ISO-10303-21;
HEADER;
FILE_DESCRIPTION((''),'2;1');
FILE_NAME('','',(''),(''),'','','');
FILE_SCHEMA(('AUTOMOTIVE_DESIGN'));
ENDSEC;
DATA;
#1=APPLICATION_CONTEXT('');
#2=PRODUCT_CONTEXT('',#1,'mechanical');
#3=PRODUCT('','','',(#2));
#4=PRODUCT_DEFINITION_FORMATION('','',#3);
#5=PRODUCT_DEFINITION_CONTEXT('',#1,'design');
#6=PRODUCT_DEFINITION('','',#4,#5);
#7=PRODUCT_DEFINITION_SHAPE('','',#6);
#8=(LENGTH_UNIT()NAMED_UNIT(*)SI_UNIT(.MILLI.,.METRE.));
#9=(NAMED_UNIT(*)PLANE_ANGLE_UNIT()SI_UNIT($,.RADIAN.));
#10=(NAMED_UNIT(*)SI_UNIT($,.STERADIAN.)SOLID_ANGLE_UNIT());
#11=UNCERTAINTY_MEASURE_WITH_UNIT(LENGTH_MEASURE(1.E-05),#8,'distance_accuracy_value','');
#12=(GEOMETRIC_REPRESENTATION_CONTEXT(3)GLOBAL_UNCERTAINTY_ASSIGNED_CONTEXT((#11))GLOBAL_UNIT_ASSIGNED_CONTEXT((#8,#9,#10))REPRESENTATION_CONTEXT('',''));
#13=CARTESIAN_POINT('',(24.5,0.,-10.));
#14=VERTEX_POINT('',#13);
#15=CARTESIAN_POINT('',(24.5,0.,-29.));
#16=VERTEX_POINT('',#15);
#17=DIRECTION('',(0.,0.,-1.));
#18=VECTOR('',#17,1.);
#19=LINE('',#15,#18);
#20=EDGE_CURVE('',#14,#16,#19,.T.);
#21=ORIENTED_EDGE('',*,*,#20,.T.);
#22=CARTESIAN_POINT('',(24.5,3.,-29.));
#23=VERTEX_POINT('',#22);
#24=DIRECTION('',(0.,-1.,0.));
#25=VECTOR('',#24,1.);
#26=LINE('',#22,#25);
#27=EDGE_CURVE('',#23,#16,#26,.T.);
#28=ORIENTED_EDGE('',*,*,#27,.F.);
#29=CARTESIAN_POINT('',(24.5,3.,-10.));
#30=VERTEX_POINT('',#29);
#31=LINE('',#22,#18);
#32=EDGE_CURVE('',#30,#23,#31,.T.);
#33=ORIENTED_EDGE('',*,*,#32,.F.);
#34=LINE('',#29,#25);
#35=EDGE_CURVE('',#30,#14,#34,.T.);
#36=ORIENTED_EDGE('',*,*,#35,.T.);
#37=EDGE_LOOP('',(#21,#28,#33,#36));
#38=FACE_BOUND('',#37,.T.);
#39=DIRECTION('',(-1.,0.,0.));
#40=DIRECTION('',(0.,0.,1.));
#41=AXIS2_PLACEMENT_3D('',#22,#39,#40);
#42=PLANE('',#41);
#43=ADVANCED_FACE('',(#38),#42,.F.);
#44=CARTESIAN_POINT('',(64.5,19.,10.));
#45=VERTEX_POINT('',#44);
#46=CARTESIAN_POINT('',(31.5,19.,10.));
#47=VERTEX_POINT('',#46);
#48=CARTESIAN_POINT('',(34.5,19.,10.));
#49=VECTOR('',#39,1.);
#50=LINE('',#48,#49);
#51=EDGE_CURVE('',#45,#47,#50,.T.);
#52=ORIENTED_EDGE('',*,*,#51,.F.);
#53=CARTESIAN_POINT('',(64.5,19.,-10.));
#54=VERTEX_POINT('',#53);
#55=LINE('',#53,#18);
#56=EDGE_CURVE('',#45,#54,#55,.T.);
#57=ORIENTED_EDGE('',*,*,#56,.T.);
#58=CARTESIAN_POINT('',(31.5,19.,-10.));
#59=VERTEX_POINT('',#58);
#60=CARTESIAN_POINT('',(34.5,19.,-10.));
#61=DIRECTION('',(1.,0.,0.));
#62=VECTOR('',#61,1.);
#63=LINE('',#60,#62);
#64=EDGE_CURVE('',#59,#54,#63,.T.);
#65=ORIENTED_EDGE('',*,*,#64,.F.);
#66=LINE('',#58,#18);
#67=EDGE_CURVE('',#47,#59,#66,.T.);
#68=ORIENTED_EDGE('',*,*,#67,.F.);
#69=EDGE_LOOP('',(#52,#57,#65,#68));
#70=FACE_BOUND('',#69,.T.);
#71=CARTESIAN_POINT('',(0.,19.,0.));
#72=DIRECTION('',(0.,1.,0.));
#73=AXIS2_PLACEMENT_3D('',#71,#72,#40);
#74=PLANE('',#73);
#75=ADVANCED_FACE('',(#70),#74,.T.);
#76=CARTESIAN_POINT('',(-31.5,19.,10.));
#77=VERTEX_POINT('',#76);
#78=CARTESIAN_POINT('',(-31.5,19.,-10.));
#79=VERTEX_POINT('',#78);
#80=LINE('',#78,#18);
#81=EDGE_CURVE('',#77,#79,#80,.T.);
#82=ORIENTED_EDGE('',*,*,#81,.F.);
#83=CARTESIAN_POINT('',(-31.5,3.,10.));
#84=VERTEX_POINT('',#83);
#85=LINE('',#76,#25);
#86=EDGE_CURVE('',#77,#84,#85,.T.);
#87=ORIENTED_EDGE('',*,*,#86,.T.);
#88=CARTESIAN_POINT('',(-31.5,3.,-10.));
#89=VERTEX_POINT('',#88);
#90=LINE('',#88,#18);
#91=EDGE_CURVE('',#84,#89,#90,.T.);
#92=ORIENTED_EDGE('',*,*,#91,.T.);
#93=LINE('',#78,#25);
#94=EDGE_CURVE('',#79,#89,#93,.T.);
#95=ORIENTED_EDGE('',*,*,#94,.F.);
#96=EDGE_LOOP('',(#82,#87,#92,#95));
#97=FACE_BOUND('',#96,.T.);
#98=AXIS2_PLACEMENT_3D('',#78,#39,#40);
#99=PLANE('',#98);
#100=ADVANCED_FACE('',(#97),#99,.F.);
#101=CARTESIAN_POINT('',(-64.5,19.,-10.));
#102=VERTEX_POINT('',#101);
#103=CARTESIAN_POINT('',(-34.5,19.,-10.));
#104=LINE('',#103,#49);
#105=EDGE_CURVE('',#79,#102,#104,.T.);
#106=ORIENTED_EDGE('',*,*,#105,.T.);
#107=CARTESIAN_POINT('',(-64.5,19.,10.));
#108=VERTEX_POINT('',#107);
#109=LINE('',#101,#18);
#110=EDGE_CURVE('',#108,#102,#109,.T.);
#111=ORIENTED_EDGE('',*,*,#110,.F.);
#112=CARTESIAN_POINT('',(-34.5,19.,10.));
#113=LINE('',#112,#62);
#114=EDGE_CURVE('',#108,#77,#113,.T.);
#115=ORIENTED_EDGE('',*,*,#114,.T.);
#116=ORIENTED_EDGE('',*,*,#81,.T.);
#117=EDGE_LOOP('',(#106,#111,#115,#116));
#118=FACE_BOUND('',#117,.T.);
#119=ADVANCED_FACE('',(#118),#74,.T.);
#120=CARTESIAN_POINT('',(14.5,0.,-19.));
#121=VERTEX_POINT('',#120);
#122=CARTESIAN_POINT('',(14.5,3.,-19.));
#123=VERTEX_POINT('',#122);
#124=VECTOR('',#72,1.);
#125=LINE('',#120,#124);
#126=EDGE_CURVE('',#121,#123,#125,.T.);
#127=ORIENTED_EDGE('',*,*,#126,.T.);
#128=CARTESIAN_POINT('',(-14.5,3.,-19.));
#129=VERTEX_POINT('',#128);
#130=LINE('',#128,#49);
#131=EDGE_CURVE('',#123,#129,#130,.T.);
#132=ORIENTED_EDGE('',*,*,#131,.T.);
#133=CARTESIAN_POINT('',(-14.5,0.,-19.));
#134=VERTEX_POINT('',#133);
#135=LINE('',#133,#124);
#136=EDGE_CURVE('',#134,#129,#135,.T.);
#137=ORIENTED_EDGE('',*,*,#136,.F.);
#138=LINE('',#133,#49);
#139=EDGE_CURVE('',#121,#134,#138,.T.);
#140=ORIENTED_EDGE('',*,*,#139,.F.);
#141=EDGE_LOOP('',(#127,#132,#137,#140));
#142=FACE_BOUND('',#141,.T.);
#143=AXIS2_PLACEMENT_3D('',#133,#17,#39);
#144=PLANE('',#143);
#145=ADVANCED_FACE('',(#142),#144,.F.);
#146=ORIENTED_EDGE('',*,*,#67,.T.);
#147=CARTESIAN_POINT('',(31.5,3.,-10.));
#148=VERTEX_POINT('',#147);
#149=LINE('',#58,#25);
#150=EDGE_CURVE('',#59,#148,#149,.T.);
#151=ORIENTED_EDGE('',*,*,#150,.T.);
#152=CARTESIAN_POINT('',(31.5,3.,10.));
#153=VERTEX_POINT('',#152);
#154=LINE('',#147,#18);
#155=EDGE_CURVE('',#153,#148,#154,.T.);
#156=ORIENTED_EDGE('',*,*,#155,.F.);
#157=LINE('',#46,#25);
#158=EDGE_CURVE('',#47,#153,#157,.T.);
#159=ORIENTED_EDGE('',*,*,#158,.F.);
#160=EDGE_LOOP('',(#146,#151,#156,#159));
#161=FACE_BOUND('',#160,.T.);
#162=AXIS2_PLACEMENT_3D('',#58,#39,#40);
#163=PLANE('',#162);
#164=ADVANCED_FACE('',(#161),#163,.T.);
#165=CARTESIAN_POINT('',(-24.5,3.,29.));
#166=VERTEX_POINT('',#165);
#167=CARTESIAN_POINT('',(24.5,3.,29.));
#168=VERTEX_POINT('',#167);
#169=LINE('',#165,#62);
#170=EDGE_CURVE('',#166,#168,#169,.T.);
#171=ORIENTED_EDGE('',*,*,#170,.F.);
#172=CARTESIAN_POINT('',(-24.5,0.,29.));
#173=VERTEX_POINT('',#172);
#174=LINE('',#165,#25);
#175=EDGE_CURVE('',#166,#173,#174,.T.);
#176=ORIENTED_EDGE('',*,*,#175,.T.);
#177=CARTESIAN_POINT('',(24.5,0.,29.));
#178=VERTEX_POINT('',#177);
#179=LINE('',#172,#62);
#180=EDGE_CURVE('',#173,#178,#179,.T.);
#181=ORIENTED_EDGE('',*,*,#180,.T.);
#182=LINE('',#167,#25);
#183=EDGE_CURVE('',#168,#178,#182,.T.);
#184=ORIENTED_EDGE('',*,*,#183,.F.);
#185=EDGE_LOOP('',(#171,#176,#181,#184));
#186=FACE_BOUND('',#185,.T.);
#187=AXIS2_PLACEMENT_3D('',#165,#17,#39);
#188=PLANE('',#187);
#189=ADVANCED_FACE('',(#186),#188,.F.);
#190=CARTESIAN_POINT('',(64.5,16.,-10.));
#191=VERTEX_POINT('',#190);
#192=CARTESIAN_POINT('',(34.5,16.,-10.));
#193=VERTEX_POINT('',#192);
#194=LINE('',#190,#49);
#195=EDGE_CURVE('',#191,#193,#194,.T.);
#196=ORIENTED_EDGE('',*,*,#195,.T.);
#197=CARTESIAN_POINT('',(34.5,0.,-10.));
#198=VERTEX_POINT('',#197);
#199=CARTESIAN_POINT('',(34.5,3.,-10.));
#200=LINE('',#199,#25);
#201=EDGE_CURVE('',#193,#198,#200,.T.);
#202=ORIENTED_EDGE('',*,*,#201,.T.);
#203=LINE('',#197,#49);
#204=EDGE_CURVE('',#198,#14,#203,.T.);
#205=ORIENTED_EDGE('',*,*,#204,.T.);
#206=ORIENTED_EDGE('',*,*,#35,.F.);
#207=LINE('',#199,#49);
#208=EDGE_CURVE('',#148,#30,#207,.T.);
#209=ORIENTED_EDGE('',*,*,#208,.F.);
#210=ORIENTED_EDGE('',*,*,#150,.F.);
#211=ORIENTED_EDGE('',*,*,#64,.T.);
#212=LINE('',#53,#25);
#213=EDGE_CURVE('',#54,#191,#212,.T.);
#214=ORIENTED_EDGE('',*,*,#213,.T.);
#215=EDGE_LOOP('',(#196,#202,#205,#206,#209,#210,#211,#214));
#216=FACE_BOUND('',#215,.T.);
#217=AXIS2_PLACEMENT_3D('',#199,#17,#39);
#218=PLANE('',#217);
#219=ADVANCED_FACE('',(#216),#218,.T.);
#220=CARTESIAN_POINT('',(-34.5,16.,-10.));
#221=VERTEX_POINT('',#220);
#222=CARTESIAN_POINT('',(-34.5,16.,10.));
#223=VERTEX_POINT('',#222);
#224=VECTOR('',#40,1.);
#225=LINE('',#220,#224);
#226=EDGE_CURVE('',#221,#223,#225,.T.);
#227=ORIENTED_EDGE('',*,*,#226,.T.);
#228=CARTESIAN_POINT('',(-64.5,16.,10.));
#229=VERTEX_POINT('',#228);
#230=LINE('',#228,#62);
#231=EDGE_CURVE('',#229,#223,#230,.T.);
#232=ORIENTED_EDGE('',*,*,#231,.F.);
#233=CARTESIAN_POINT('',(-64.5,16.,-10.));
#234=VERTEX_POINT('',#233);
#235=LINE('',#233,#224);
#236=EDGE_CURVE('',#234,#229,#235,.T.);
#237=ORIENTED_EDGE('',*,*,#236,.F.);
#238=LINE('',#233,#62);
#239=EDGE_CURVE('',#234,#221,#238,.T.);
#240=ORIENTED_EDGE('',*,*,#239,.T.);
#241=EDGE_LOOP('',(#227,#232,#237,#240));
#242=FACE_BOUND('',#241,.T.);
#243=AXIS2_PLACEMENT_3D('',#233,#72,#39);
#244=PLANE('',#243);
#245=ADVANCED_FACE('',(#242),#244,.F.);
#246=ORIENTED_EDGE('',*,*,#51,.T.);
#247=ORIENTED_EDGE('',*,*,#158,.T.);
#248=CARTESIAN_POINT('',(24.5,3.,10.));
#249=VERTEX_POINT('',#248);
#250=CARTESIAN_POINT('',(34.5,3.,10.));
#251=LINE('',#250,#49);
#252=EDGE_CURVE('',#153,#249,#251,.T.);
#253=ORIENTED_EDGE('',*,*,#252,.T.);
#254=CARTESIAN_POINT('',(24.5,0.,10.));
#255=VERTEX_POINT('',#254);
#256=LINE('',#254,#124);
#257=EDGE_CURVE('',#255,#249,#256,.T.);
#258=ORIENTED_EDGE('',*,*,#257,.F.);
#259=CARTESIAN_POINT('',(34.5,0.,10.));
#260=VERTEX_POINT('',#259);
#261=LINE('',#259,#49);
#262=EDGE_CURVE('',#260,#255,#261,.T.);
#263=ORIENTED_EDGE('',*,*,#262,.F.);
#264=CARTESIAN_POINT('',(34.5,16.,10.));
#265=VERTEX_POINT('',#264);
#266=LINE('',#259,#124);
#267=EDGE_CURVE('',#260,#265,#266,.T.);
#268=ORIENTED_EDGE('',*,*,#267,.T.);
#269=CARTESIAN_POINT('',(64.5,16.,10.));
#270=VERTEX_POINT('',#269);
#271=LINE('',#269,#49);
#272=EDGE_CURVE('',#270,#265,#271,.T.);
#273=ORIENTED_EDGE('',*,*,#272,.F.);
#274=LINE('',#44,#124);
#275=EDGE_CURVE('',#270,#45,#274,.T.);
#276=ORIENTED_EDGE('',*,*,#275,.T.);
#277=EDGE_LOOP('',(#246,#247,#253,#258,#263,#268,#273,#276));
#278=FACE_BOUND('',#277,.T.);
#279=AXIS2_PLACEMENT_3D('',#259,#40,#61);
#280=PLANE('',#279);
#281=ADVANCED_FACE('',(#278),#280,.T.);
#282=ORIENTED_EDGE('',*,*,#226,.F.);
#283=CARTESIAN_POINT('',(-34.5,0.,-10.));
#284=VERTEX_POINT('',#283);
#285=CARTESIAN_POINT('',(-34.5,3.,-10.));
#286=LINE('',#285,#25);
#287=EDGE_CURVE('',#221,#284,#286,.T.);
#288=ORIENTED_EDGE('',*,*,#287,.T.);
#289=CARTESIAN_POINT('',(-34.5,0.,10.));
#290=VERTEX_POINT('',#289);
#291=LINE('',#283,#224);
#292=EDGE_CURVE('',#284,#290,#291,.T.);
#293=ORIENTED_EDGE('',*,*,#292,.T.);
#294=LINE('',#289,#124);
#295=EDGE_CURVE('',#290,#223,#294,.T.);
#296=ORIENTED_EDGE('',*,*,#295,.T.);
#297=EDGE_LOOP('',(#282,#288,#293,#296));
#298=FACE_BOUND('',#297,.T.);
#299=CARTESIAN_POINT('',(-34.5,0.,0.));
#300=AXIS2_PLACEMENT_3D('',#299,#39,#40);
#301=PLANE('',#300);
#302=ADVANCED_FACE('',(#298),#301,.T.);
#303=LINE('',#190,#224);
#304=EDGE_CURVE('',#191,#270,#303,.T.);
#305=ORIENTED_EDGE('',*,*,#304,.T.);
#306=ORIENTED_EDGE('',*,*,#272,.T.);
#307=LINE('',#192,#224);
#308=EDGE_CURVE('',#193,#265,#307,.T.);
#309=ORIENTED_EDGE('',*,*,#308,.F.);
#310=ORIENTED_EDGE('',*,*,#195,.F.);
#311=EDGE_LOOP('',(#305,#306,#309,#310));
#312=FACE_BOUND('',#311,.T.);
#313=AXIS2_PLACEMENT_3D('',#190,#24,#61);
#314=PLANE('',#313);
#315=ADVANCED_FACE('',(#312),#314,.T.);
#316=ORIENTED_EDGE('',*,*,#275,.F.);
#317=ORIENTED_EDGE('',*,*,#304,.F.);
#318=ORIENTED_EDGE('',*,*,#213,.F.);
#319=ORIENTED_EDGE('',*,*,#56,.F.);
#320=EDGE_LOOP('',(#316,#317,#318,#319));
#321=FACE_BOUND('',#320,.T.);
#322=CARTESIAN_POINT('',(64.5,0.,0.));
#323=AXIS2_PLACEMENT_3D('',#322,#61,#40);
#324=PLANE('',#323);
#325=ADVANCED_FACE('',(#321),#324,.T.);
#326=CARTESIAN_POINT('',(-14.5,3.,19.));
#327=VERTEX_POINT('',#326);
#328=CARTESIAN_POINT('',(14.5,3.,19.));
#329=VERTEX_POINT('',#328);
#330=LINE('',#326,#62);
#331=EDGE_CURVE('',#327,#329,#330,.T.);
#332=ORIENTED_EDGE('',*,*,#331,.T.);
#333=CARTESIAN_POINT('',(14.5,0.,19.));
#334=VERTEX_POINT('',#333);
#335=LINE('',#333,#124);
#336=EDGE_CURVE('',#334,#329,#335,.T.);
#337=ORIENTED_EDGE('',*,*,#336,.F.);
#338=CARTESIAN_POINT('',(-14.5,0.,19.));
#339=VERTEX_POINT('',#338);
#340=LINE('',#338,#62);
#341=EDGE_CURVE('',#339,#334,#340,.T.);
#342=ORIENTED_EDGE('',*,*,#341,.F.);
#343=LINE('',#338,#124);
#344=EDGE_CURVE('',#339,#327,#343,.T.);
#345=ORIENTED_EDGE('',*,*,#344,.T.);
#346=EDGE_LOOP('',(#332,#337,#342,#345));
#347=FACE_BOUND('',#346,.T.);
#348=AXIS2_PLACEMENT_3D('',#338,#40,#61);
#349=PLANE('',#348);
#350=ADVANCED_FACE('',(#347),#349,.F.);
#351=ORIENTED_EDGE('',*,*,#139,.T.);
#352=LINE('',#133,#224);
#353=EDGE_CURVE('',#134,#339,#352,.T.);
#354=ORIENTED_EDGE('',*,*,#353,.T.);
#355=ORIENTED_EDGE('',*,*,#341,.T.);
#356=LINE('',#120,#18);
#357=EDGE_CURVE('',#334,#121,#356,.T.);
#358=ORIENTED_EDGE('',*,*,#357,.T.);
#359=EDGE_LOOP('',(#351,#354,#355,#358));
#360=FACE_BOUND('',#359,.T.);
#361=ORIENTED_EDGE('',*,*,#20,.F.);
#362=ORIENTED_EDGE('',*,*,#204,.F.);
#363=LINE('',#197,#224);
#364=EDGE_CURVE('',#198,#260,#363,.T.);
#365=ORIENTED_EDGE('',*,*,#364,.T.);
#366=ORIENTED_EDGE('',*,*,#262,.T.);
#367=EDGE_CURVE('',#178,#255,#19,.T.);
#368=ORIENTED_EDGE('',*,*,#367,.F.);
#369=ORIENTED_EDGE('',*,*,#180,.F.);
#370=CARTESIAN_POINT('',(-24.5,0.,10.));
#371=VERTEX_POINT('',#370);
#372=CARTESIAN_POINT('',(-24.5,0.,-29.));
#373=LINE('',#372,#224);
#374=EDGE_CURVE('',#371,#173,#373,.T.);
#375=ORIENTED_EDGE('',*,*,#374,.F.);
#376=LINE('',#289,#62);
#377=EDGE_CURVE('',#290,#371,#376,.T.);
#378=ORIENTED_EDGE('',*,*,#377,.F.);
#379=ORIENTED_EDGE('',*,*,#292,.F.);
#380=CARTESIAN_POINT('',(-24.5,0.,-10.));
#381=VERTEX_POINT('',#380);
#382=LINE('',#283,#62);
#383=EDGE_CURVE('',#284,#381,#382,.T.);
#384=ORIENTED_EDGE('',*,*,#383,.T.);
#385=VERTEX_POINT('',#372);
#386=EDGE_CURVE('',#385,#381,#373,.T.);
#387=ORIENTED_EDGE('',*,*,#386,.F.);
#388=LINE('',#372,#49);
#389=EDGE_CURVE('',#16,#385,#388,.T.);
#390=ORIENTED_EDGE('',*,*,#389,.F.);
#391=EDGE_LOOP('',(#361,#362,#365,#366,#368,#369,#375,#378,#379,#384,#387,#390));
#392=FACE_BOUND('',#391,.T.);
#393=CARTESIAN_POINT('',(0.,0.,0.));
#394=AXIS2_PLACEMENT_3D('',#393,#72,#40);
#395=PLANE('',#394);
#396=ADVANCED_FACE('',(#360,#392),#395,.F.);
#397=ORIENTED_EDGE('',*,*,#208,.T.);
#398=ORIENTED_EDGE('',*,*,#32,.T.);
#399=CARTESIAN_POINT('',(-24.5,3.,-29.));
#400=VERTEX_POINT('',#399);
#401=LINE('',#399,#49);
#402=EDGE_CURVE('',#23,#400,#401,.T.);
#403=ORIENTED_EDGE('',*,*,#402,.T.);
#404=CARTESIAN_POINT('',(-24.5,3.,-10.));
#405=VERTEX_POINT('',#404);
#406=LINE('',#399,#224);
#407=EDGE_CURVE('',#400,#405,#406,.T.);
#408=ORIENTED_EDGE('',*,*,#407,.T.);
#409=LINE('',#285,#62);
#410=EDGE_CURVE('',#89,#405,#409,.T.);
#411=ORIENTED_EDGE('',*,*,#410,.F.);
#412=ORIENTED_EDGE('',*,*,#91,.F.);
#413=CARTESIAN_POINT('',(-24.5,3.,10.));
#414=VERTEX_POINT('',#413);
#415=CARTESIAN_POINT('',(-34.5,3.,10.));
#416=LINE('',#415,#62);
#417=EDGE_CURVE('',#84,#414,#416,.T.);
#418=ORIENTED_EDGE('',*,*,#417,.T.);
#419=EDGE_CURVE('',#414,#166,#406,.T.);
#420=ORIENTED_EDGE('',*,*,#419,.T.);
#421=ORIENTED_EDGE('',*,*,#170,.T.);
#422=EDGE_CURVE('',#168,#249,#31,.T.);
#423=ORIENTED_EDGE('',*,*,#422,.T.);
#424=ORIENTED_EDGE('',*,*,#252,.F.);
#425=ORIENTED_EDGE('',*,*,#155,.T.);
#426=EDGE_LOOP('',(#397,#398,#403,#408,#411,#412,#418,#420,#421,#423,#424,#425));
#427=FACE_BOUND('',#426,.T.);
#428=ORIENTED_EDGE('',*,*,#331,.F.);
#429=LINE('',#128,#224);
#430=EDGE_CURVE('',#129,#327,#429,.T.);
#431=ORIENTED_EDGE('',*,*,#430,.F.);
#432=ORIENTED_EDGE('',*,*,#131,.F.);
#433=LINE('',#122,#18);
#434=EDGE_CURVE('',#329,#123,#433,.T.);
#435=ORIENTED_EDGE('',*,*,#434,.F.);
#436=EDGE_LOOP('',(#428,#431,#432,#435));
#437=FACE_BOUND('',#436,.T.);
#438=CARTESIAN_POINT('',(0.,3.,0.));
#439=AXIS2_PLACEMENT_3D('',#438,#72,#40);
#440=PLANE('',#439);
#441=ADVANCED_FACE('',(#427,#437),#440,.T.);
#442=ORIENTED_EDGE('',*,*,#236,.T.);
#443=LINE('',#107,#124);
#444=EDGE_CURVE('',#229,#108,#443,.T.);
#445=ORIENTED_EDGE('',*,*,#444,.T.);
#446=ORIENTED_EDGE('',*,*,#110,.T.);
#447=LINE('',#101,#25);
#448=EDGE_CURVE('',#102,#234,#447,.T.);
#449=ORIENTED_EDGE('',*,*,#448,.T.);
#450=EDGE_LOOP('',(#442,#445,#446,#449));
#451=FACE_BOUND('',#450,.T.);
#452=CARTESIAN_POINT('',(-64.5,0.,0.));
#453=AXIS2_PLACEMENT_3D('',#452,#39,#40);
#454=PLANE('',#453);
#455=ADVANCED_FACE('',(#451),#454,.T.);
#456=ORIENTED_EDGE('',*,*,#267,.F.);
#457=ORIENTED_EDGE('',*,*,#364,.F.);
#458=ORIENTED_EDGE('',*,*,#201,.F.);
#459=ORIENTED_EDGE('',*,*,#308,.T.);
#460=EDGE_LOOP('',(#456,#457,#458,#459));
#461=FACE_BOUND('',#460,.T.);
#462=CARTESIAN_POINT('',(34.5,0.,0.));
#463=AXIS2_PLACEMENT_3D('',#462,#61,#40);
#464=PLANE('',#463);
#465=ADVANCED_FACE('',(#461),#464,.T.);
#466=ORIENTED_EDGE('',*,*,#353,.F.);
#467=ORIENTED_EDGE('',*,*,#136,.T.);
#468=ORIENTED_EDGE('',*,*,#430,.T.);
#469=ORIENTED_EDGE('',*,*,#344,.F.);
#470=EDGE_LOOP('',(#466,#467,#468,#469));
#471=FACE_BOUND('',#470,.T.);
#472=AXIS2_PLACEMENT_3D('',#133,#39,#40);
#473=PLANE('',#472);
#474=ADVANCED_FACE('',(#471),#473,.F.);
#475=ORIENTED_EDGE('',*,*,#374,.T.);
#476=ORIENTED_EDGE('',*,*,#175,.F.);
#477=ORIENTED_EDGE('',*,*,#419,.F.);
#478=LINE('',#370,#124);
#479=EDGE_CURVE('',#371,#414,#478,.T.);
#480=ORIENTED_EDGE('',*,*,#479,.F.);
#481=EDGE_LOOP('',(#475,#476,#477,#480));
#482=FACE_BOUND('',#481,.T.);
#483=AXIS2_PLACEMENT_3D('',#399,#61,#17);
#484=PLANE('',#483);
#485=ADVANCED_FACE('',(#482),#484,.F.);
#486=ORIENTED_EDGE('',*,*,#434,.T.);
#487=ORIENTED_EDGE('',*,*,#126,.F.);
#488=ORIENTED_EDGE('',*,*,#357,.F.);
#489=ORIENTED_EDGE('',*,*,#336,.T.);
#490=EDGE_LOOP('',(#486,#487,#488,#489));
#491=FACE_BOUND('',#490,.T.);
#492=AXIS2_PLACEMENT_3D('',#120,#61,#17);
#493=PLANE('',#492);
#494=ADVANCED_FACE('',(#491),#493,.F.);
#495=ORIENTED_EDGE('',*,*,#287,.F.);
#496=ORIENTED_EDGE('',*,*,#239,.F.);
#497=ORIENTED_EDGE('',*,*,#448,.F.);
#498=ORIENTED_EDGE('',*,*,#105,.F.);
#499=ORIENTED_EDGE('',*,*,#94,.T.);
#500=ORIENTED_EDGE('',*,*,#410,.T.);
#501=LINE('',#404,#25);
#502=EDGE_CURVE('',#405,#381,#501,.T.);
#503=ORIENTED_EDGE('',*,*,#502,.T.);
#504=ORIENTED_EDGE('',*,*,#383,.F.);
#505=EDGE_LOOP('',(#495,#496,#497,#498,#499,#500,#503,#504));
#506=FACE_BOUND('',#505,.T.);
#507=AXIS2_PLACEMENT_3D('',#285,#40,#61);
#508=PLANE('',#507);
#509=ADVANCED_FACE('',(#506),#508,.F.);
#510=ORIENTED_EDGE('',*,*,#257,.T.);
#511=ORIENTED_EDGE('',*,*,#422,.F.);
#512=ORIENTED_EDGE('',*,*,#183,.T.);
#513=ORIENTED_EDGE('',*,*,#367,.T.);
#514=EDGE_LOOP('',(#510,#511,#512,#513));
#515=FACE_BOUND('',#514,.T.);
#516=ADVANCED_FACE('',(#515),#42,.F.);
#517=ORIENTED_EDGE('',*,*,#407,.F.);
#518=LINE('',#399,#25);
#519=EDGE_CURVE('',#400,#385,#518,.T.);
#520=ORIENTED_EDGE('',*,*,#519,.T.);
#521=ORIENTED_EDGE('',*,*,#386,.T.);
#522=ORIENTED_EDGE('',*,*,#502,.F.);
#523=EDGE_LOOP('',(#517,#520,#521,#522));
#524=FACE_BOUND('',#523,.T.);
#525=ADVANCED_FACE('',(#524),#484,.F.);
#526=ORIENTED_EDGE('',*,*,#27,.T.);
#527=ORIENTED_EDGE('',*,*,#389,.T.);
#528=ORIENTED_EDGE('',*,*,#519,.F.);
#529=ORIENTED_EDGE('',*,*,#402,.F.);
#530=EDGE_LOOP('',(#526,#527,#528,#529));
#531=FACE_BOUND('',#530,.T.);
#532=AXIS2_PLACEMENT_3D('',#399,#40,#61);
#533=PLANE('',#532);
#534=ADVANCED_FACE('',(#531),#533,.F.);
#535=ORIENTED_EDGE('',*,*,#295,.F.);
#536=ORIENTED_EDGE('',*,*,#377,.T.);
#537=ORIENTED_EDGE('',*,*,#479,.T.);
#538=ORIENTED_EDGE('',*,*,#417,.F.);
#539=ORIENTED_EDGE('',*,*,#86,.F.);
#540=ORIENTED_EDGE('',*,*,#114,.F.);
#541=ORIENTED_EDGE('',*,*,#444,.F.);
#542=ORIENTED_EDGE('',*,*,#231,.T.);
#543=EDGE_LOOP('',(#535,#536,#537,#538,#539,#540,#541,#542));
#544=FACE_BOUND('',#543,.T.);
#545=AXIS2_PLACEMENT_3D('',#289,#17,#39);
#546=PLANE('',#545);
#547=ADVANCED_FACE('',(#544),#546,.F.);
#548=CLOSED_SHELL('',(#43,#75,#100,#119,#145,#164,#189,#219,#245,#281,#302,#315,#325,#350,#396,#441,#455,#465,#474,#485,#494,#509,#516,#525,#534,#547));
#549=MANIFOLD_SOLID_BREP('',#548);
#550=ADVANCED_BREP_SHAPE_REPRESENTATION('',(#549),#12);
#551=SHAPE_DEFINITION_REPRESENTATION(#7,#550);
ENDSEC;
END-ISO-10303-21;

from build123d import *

# Parameters (mm, degrees)
SKETCH2_W           = 49
SKETCH2_H           = 58
BOSS_EXTRUDE1_DEPTH = 3
SKETCH3_W           = 29
SKETCH3_H           = 38
CUT_EXTRUDE1_DEPTH  = 3
SKETCH4_W           = 20
SKETCH4_H           = 3
BOSS_EXTRUDE2_DEPTH = 10
SKETCH5_W           = 3
SKETCH5_H           = 20
BOSS_EXTRUDE3_DEPTH = 16
SKETCH7_W           = 20
SKETCH7_H           = 3
BOSS_EXTRUDE4_DEPTH = 30


with BuildPart() as part:
    # Sketch2 → Boss-Extrude1 (new body)
    with BuildSketch(Plane(origin=(0, 0, 0), x_dir=(1, 0, 0), z_dir=(0, 1, 0))):
        Rectangle(SKETCH2_W, SKETCH2_H)
    extrude(amount=BOSS_EXTRUDE1_DEPTH)

    # Sketch3 → Cut-Extrude1 (cut)
    with BuildSketch(Plane(origin=(0, 3, 0), x_dir=(1, 0, 0), z_dir=(0, 1, 0))):
        Rectangle(SKETCH3_W, SKETCH3_H)
    extrude(amount=-CUT_EXTRUDE1_DEPTH, mode=Mode.SUBTRACT)

    # Sketch4 → Boss-Extrude2 (add)
    with BuildSketch(Plane.ZY.offset(24.5)):
        with Locations((0, 1.5)):
            Rectangle(SKETCH4_W, SKETCH4_H)
    boss_extrude2 = extrude(amount=BOSS_EXTRUDE2_DEPTH)

    # Sketch5 → Boss-Extrude3 (add)
    with BuildSketch(Plane(origin=(0, 3, 0), x_dir=(1, 0, 0), z_dir=(0, 1, 0))):
        with Locations((-33, 0)):
            Rectangle(SKETCH5_W, SKETCH5_H)
    boss_extrude3 = extrude(amount=BOSS_EXTRUDE3_DEPTH)

    # Sketch7 → Boss-Extrude4 (add)
    with BuildSketch(Plane.ZY.offset(34.5)):
        with Locations((0, 17.5)):
            Rectangle(SKETCH7_W, SKETCH7_H)
    boss_extrude4 = extrude(amount=BOSS_EXTRUDE4_DEPTH)

    # Mirror1: Boss-Extrude2, Boss-Extrude3, Boss-Extrude4 across plane
    add(boss_extrude2.mirror(Plane(origin=(0, 0, 0), x_dir=(0, 0, 1), z_dir=(1, 0, 0))))
    add(boss_extrude3.mirror(Plane(origin=(0, 0, 0), x_dir=(0, 0, 1), z_dir=(1, 0, 0))))
    add(boss_extrude4.mirror(Plane(origin=(0, 0, 0), x_dir=(0, 0, 1), z_dir=(1, 0, 0))))


solid = part.part
